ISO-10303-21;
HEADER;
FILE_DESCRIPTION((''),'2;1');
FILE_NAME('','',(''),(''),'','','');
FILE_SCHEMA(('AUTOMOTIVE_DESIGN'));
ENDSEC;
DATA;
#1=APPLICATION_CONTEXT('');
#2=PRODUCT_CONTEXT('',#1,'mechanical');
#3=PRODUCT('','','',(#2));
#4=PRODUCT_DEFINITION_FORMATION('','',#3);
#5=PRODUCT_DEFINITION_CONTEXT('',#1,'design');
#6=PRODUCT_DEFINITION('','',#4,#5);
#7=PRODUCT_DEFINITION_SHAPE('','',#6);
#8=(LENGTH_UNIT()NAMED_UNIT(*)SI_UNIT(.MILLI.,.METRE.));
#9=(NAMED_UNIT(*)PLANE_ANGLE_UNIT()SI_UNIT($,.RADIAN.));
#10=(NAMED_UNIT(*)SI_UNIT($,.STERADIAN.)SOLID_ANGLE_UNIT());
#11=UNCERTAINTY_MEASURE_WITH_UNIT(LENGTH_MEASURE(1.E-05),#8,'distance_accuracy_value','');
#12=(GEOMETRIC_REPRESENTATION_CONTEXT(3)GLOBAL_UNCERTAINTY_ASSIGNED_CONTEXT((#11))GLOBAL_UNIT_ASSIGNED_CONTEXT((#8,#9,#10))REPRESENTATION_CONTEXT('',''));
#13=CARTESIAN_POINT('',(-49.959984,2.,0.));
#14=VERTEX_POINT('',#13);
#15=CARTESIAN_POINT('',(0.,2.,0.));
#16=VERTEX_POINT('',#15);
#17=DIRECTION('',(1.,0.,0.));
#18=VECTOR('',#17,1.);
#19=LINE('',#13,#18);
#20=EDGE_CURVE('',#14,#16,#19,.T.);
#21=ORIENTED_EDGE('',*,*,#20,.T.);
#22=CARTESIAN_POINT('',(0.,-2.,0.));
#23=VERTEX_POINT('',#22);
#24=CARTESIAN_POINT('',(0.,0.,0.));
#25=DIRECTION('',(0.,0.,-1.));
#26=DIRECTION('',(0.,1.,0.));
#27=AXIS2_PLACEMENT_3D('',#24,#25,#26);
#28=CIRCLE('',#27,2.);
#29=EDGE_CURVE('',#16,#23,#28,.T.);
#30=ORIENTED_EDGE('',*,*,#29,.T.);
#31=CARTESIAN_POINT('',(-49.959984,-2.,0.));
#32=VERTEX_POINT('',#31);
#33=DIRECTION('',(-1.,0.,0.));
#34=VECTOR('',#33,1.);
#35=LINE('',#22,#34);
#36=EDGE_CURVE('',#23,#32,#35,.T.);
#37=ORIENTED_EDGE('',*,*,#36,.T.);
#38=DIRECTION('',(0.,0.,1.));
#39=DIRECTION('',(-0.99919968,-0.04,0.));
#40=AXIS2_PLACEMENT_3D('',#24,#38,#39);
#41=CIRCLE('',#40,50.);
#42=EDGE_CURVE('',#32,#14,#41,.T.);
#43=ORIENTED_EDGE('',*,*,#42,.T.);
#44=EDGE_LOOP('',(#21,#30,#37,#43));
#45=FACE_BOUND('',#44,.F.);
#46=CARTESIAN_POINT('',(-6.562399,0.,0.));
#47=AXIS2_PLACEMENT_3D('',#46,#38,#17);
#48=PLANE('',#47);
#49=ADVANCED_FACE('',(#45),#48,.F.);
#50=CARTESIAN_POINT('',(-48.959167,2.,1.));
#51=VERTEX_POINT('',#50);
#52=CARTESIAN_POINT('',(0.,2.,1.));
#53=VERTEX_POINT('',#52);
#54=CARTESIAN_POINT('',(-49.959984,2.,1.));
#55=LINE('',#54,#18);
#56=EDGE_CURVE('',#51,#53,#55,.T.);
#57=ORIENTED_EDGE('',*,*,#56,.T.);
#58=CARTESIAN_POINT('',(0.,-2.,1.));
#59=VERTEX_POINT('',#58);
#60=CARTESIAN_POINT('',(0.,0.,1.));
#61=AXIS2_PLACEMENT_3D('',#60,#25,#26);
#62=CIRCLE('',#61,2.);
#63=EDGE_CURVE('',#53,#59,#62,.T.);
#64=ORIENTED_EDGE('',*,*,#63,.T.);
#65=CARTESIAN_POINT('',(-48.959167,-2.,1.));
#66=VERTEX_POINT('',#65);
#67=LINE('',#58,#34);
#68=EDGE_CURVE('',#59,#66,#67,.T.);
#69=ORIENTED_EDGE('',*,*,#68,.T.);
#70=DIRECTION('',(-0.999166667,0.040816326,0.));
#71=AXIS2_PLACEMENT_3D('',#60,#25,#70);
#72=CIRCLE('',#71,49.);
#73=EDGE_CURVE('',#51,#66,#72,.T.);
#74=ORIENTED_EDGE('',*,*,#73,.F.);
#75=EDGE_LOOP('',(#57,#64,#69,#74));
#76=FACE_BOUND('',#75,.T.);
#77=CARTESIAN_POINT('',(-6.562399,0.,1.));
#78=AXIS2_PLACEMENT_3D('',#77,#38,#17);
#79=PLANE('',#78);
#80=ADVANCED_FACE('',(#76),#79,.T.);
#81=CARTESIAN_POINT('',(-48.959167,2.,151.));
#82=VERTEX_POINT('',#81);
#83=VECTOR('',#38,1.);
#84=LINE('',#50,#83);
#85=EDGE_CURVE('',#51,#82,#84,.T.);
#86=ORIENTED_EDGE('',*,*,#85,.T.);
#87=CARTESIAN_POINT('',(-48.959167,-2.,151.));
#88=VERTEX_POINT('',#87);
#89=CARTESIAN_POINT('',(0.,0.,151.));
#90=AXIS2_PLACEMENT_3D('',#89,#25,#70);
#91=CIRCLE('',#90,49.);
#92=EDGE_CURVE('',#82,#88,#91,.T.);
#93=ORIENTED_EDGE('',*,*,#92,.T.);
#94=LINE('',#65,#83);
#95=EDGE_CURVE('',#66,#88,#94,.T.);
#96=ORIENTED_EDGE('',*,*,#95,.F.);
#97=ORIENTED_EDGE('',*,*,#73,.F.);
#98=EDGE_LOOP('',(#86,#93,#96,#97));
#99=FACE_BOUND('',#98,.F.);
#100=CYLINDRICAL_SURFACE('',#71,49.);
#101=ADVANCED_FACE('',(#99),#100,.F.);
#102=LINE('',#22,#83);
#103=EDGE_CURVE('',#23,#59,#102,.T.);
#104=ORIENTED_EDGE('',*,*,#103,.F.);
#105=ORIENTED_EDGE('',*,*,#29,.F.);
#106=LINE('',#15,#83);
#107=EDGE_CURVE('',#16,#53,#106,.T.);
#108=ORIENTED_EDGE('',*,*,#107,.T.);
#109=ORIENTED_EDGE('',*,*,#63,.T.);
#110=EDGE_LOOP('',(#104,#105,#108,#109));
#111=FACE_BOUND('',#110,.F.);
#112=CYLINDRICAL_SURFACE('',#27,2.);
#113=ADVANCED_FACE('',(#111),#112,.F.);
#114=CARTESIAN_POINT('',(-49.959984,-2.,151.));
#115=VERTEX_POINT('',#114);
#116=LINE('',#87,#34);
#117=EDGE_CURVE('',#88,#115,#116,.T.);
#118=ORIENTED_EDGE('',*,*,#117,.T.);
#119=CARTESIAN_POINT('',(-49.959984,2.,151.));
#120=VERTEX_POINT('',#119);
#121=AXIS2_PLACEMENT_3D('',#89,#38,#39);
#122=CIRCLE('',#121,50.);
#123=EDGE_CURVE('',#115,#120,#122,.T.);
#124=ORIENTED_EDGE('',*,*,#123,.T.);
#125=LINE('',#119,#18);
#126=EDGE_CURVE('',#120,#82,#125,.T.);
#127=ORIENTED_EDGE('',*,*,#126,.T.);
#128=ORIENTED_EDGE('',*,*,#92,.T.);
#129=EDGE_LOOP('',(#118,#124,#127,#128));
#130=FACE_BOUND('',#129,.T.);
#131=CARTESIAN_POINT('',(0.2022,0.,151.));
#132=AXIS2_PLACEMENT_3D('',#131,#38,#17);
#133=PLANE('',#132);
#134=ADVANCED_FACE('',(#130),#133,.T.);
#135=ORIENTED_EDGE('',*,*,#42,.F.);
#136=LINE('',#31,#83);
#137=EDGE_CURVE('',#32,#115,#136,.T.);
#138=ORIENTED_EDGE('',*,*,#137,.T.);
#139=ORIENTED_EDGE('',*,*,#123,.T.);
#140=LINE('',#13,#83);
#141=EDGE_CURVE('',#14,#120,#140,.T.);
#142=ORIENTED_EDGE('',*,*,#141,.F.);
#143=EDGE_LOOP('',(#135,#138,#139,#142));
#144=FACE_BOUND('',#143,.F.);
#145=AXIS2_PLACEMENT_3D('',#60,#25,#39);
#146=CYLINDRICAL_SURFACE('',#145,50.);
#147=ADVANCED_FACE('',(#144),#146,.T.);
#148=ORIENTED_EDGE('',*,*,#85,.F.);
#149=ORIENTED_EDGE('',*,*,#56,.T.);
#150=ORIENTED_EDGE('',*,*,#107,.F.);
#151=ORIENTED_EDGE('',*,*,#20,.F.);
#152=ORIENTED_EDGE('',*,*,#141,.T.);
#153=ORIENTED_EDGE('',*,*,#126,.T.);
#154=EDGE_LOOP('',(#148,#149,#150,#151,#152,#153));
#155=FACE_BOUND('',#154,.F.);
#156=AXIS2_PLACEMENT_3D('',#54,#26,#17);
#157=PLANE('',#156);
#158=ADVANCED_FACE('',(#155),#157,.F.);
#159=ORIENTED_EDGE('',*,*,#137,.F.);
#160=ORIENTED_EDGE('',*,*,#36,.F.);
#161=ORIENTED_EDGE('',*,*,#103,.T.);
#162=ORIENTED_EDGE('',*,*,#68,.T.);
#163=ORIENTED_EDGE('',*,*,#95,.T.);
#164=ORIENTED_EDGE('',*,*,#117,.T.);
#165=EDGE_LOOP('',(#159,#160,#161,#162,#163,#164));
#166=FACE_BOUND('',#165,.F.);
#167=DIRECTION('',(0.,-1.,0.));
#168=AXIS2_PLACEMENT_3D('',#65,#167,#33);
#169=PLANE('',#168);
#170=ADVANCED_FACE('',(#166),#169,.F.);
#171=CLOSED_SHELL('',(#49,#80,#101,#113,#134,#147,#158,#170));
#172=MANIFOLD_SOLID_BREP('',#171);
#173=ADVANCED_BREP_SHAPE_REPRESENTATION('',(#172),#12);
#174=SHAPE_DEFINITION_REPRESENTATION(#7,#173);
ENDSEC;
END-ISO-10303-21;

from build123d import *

# Parameters (mm, degrees)
F1_DEPTH = 1
F3_DEPTH = 150


with BuildPart() as f1:
    # F0 (on Top) → F1 (new body)
    with BuildSketch(Plane.XY):
        with BuildLine():
            Line((0, -2), (-49.959984, -2))
            ThreePointArc((-49.959984, -2), (50, 0), (-49.959984, 2))
            Line((-49.959984, 2), (0, 2))
            ThreePointArc((0, 2), (2, 0), (0, -2))
        make_face()
    extrude(amount=F1_DEPTH)

    # F2 (on face) → F3 (join)
    with BuildSketch(Plane.XY.offset(1)):
        with BuildLine():
            Line((-48.959167, -2), (-49.959984, -2))
            ThreePointArc((-49.959984, -2), (50, 0), (-49.959984, 2))
            Line((-49.959984, 2), (-48.959167, 2))
            ThreePointArc((-48.959167, 2), (49, 0), (-48.959167, -2))
        make_face()
    extrude(amount=F3_DEPTH)


solid = f1.part
